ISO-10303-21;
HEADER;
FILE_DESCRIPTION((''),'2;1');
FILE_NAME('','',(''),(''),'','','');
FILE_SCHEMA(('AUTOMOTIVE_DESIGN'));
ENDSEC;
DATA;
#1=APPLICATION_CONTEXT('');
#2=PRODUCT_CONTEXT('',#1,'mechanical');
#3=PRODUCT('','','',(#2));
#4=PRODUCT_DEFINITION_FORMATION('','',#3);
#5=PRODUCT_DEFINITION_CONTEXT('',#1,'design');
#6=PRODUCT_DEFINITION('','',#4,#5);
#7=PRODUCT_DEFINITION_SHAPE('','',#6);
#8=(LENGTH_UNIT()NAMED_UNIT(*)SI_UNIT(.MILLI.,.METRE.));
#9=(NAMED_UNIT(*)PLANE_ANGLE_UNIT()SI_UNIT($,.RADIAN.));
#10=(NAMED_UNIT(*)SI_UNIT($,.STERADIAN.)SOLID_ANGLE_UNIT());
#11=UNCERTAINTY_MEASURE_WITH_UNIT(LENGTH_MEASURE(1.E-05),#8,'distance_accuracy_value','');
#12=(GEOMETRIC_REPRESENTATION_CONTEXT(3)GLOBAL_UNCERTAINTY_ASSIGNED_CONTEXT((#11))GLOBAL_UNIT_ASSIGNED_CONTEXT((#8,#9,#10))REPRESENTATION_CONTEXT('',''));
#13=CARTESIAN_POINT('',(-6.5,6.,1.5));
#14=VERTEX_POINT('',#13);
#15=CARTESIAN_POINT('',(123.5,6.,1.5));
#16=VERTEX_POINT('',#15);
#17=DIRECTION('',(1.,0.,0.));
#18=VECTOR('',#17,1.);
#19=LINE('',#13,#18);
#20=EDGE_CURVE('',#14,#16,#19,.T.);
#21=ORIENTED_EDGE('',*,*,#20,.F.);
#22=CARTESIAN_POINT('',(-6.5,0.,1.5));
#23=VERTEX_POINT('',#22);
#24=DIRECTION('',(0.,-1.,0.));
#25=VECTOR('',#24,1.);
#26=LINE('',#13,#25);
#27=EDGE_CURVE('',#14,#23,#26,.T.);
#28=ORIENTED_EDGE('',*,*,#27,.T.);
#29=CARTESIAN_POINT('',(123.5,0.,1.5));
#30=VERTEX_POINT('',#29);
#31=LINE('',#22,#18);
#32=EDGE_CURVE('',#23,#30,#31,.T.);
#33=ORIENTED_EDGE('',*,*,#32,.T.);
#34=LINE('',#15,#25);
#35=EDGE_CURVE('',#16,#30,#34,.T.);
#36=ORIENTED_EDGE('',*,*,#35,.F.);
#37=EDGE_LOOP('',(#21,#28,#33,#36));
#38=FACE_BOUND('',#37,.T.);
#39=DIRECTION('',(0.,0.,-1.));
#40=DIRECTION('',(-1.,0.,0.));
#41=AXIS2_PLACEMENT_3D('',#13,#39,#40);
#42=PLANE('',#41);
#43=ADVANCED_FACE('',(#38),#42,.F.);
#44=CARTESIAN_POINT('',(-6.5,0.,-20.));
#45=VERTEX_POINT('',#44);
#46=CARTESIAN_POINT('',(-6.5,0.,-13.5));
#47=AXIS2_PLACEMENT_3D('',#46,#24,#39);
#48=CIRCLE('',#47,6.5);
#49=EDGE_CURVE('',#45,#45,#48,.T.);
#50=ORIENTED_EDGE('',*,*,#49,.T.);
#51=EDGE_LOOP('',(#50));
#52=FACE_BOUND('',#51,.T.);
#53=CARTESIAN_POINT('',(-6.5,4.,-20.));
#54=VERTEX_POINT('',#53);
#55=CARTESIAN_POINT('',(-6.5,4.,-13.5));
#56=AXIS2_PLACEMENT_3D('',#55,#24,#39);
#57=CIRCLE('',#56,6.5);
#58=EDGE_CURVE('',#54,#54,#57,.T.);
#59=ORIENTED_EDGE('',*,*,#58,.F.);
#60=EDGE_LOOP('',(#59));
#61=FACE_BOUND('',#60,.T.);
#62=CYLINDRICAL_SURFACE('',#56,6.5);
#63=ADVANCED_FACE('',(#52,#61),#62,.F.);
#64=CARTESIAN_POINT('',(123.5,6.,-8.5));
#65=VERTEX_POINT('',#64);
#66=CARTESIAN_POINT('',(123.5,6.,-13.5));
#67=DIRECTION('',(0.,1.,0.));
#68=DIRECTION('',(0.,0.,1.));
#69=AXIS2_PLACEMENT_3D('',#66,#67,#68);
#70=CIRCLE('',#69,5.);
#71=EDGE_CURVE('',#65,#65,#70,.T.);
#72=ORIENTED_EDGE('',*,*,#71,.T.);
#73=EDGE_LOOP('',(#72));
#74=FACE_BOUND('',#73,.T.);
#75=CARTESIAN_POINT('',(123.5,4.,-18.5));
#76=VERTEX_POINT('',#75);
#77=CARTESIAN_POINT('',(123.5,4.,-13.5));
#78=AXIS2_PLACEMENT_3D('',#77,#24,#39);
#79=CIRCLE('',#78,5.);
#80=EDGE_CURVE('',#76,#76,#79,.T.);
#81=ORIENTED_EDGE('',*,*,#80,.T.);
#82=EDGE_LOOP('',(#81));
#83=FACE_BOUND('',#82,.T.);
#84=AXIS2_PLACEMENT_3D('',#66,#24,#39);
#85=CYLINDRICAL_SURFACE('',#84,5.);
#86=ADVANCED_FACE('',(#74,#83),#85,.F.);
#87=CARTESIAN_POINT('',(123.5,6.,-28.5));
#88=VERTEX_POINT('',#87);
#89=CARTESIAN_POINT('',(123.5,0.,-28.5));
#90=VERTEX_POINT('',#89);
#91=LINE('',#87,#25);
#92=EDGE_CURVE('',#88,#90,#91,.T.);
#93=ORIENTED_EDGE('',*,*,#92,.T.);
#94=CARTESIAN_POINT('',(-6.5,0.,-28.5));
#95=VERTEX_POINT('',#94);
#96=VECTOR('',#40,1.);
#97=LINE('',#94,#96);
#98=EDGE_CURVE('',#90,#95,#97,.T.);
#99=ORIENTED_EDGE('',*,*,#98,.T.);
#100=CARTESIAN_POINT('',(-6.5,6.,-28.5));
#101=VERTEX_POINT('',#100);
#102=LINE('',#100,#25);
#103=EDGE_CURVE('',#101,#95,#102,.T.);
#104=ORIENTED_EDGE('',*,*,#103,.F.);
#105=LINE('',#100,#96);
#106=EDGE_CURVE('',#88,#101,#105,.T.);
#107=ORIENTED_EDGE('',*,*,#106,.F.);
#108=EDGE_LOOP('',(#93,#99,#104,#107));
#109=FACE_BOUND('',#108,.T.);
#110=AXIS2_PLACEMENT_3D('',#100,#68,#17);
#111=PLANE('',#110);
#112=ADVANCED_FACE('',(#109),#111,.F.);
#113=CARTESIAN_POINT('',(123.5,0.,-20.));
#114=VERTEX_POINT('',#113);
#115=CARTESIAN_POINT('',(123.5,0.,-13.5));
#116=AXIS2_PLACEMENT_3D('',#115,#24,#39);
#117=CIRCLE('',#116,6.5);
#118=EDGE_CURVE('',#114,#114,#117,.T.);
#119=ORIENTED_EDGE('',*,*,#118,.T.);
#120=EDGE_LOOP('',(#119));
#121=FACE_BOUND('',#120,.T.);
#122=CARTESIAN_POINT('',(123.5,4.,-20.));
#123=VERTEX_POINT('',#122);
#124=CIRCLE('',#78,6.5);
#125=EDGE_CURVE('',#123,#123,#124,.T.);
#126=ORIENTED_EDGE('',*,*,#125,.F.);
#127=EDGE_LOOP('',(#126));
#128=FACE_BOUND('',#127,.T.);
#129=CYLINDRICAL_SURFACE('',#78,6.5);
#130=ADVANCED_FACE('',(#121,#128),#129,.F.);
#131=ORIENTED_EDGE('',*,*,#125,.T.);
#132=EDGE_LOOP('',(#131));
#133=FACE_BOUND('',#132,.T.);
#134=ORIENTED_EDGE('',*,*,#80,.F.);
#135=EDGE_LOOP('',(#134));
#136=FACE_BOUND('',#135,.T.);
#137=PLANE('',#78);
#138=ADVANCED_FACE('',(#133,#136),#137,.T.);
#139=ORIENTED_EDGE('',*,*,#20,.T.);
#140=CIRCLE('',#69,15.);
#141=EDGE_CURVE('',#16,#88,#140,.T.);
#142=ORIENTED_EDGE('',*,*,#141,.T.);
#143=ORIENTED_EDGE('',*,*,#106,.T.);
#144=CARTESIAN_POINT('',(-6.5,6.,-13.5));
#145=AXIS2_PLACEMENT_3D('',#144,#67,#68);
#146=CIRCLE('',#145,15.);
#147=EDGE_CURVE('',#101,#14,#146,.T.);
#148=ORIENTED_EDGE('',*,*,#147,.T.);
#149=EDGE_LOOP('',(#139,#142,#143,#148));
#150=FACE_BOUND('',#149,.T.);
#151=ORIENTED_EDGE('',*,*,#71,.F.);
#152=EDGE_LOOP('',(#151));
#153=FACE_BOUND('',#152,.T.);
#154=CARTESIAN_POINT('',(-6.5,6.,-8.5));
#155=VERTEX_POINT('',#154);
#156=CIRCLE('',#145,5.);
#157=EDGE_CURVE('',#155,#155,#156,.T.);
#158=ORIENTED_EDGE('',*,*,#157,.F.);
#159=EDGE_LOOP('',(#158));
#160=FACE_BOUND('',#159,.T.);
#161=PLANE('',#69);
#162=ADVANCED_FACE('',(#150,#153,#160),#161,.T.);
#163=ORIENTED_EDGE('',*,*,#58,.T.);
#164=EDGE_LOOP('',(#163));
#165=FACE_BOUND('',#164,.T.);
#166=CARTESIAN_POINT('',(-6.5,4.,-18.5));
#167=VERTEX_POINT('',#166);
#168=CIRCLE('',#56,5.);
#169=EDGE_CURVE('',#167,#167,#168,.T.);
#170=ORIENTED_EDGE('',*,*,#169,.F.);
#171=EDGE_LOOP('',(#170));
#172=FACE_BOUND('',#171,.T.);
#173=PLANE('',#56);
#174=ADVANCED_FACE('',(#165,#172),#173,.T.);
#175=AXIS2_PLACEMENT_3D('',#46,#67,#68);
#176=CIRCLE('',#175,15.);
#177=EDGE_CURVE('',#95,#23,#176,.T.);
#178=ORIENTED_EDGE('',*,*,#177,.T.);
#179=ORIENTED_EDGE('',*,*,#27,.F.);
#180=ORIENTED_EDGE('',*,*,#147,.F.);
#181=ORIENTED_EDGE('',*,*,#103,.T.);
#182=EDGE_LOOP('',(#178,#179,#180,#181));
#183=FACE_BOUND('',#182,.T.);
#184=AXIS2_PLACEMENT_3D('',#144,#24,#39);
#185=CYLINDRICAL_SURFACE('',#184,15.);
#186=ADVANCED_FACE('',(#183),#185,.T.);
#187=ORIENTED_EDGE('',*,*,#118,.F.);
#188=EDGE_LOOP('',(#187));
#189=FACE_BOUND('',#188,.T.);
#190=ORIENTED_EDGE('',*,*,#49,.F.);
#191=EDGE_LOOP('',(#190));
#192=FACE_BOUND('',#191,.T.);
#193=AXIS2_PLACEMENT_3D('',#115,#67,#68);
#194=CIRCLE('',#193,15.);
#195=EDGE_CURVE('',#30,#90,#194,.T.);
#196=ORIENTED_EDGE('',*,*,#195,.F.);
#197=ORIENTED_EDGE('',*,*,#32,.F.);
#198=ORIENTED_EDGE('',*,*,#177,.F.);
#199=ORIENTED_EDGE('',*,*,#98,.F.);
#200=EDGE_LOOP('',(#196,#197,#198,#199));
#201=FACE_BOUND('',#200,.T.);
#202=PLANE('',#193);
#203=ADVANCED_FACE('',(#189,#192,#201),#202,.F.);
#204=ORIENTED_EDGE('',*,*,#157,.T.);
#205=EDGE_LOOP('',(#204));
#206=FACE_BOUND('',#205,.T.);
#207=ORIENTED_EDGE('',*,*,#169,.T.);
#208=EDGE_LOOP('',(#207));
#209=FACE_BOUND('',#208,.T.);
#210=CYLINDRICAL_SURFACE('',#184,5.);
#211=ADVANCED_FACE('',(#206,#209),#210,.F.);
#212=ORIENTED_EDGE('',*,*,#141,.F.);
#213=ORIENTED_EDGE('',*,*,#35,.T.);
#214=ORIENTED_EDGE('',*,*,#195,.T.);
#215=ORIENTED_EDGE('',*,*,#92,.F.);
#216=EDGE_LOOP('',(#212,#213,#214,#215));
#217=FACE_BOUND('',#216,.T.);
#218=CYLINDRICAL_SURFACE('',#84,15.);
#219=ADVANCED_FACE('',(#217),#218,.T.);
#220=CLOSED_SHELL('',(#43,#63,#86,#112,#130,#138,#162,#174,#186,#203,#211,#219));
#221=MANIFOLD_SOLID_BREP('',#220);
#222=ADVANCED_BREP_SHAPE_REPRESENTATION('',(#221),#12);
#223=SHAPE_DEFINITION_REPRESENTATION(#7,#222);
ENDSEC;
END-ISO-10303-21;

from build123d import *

# Parameters (mm, degrees)
SKETCH2_R           = 5
BOSS_EXTRUDE1_DEPTH = 6
SKETCH4_R           = 6.5
CUT_EXTRUDE1_DEPTH  = 4


with BuildPart() as part:
    # Sketch2 → Boss-Extrude1 (new body)
    with BuildSketch(Plane(origin=(0, 0, 0), x_dir=(1, 0, 0), z_dir=(0, 1, 0))):
        with BuildLine():
            Line((-6.5, 28.5), (123.5, 28.5))
            ThreePointArc((123.5, 28.5), (138.5, 13.5), (123.5, -1.5))
            Line((123.5, -1.5), (-6.5, -1.5))
            ThreePointArc((-6.5, -1.5), (-21.5, 13.5), (-6.5, 28.5))
        make_face()
        with Locations(Location((-6.5, 13.5, 0), (0, 0, 270))):
            Circle(SKETCH2_R, mode=Mode.SUBTRACT)
        with Locations(Location((123.5, 13.5, 0), (0, 0, 270))):
            Circle(SKETCH2_R, mode=Mode.SUBTRACT)
    extrude(amount=BOSS_EXTRUDE1_DEPTH)

    # Sketch4 → Cut-Extrude1 (cut)
    with BuildSketch(Plane.XZ):
        with Locations(Location((123.5, -13.5, 0), (0, 0, 270))):
            Circle(SKETCH4_R)
        with Locations(Location((-6.5, -13.5, 0), (0, 0, 270))):
            Circle(SKETCH4_R)
    extrude(amount=-CUT_EXTRUDE1_DEPTH, mode=Mode.SUBTRACT)


solid = part.part
